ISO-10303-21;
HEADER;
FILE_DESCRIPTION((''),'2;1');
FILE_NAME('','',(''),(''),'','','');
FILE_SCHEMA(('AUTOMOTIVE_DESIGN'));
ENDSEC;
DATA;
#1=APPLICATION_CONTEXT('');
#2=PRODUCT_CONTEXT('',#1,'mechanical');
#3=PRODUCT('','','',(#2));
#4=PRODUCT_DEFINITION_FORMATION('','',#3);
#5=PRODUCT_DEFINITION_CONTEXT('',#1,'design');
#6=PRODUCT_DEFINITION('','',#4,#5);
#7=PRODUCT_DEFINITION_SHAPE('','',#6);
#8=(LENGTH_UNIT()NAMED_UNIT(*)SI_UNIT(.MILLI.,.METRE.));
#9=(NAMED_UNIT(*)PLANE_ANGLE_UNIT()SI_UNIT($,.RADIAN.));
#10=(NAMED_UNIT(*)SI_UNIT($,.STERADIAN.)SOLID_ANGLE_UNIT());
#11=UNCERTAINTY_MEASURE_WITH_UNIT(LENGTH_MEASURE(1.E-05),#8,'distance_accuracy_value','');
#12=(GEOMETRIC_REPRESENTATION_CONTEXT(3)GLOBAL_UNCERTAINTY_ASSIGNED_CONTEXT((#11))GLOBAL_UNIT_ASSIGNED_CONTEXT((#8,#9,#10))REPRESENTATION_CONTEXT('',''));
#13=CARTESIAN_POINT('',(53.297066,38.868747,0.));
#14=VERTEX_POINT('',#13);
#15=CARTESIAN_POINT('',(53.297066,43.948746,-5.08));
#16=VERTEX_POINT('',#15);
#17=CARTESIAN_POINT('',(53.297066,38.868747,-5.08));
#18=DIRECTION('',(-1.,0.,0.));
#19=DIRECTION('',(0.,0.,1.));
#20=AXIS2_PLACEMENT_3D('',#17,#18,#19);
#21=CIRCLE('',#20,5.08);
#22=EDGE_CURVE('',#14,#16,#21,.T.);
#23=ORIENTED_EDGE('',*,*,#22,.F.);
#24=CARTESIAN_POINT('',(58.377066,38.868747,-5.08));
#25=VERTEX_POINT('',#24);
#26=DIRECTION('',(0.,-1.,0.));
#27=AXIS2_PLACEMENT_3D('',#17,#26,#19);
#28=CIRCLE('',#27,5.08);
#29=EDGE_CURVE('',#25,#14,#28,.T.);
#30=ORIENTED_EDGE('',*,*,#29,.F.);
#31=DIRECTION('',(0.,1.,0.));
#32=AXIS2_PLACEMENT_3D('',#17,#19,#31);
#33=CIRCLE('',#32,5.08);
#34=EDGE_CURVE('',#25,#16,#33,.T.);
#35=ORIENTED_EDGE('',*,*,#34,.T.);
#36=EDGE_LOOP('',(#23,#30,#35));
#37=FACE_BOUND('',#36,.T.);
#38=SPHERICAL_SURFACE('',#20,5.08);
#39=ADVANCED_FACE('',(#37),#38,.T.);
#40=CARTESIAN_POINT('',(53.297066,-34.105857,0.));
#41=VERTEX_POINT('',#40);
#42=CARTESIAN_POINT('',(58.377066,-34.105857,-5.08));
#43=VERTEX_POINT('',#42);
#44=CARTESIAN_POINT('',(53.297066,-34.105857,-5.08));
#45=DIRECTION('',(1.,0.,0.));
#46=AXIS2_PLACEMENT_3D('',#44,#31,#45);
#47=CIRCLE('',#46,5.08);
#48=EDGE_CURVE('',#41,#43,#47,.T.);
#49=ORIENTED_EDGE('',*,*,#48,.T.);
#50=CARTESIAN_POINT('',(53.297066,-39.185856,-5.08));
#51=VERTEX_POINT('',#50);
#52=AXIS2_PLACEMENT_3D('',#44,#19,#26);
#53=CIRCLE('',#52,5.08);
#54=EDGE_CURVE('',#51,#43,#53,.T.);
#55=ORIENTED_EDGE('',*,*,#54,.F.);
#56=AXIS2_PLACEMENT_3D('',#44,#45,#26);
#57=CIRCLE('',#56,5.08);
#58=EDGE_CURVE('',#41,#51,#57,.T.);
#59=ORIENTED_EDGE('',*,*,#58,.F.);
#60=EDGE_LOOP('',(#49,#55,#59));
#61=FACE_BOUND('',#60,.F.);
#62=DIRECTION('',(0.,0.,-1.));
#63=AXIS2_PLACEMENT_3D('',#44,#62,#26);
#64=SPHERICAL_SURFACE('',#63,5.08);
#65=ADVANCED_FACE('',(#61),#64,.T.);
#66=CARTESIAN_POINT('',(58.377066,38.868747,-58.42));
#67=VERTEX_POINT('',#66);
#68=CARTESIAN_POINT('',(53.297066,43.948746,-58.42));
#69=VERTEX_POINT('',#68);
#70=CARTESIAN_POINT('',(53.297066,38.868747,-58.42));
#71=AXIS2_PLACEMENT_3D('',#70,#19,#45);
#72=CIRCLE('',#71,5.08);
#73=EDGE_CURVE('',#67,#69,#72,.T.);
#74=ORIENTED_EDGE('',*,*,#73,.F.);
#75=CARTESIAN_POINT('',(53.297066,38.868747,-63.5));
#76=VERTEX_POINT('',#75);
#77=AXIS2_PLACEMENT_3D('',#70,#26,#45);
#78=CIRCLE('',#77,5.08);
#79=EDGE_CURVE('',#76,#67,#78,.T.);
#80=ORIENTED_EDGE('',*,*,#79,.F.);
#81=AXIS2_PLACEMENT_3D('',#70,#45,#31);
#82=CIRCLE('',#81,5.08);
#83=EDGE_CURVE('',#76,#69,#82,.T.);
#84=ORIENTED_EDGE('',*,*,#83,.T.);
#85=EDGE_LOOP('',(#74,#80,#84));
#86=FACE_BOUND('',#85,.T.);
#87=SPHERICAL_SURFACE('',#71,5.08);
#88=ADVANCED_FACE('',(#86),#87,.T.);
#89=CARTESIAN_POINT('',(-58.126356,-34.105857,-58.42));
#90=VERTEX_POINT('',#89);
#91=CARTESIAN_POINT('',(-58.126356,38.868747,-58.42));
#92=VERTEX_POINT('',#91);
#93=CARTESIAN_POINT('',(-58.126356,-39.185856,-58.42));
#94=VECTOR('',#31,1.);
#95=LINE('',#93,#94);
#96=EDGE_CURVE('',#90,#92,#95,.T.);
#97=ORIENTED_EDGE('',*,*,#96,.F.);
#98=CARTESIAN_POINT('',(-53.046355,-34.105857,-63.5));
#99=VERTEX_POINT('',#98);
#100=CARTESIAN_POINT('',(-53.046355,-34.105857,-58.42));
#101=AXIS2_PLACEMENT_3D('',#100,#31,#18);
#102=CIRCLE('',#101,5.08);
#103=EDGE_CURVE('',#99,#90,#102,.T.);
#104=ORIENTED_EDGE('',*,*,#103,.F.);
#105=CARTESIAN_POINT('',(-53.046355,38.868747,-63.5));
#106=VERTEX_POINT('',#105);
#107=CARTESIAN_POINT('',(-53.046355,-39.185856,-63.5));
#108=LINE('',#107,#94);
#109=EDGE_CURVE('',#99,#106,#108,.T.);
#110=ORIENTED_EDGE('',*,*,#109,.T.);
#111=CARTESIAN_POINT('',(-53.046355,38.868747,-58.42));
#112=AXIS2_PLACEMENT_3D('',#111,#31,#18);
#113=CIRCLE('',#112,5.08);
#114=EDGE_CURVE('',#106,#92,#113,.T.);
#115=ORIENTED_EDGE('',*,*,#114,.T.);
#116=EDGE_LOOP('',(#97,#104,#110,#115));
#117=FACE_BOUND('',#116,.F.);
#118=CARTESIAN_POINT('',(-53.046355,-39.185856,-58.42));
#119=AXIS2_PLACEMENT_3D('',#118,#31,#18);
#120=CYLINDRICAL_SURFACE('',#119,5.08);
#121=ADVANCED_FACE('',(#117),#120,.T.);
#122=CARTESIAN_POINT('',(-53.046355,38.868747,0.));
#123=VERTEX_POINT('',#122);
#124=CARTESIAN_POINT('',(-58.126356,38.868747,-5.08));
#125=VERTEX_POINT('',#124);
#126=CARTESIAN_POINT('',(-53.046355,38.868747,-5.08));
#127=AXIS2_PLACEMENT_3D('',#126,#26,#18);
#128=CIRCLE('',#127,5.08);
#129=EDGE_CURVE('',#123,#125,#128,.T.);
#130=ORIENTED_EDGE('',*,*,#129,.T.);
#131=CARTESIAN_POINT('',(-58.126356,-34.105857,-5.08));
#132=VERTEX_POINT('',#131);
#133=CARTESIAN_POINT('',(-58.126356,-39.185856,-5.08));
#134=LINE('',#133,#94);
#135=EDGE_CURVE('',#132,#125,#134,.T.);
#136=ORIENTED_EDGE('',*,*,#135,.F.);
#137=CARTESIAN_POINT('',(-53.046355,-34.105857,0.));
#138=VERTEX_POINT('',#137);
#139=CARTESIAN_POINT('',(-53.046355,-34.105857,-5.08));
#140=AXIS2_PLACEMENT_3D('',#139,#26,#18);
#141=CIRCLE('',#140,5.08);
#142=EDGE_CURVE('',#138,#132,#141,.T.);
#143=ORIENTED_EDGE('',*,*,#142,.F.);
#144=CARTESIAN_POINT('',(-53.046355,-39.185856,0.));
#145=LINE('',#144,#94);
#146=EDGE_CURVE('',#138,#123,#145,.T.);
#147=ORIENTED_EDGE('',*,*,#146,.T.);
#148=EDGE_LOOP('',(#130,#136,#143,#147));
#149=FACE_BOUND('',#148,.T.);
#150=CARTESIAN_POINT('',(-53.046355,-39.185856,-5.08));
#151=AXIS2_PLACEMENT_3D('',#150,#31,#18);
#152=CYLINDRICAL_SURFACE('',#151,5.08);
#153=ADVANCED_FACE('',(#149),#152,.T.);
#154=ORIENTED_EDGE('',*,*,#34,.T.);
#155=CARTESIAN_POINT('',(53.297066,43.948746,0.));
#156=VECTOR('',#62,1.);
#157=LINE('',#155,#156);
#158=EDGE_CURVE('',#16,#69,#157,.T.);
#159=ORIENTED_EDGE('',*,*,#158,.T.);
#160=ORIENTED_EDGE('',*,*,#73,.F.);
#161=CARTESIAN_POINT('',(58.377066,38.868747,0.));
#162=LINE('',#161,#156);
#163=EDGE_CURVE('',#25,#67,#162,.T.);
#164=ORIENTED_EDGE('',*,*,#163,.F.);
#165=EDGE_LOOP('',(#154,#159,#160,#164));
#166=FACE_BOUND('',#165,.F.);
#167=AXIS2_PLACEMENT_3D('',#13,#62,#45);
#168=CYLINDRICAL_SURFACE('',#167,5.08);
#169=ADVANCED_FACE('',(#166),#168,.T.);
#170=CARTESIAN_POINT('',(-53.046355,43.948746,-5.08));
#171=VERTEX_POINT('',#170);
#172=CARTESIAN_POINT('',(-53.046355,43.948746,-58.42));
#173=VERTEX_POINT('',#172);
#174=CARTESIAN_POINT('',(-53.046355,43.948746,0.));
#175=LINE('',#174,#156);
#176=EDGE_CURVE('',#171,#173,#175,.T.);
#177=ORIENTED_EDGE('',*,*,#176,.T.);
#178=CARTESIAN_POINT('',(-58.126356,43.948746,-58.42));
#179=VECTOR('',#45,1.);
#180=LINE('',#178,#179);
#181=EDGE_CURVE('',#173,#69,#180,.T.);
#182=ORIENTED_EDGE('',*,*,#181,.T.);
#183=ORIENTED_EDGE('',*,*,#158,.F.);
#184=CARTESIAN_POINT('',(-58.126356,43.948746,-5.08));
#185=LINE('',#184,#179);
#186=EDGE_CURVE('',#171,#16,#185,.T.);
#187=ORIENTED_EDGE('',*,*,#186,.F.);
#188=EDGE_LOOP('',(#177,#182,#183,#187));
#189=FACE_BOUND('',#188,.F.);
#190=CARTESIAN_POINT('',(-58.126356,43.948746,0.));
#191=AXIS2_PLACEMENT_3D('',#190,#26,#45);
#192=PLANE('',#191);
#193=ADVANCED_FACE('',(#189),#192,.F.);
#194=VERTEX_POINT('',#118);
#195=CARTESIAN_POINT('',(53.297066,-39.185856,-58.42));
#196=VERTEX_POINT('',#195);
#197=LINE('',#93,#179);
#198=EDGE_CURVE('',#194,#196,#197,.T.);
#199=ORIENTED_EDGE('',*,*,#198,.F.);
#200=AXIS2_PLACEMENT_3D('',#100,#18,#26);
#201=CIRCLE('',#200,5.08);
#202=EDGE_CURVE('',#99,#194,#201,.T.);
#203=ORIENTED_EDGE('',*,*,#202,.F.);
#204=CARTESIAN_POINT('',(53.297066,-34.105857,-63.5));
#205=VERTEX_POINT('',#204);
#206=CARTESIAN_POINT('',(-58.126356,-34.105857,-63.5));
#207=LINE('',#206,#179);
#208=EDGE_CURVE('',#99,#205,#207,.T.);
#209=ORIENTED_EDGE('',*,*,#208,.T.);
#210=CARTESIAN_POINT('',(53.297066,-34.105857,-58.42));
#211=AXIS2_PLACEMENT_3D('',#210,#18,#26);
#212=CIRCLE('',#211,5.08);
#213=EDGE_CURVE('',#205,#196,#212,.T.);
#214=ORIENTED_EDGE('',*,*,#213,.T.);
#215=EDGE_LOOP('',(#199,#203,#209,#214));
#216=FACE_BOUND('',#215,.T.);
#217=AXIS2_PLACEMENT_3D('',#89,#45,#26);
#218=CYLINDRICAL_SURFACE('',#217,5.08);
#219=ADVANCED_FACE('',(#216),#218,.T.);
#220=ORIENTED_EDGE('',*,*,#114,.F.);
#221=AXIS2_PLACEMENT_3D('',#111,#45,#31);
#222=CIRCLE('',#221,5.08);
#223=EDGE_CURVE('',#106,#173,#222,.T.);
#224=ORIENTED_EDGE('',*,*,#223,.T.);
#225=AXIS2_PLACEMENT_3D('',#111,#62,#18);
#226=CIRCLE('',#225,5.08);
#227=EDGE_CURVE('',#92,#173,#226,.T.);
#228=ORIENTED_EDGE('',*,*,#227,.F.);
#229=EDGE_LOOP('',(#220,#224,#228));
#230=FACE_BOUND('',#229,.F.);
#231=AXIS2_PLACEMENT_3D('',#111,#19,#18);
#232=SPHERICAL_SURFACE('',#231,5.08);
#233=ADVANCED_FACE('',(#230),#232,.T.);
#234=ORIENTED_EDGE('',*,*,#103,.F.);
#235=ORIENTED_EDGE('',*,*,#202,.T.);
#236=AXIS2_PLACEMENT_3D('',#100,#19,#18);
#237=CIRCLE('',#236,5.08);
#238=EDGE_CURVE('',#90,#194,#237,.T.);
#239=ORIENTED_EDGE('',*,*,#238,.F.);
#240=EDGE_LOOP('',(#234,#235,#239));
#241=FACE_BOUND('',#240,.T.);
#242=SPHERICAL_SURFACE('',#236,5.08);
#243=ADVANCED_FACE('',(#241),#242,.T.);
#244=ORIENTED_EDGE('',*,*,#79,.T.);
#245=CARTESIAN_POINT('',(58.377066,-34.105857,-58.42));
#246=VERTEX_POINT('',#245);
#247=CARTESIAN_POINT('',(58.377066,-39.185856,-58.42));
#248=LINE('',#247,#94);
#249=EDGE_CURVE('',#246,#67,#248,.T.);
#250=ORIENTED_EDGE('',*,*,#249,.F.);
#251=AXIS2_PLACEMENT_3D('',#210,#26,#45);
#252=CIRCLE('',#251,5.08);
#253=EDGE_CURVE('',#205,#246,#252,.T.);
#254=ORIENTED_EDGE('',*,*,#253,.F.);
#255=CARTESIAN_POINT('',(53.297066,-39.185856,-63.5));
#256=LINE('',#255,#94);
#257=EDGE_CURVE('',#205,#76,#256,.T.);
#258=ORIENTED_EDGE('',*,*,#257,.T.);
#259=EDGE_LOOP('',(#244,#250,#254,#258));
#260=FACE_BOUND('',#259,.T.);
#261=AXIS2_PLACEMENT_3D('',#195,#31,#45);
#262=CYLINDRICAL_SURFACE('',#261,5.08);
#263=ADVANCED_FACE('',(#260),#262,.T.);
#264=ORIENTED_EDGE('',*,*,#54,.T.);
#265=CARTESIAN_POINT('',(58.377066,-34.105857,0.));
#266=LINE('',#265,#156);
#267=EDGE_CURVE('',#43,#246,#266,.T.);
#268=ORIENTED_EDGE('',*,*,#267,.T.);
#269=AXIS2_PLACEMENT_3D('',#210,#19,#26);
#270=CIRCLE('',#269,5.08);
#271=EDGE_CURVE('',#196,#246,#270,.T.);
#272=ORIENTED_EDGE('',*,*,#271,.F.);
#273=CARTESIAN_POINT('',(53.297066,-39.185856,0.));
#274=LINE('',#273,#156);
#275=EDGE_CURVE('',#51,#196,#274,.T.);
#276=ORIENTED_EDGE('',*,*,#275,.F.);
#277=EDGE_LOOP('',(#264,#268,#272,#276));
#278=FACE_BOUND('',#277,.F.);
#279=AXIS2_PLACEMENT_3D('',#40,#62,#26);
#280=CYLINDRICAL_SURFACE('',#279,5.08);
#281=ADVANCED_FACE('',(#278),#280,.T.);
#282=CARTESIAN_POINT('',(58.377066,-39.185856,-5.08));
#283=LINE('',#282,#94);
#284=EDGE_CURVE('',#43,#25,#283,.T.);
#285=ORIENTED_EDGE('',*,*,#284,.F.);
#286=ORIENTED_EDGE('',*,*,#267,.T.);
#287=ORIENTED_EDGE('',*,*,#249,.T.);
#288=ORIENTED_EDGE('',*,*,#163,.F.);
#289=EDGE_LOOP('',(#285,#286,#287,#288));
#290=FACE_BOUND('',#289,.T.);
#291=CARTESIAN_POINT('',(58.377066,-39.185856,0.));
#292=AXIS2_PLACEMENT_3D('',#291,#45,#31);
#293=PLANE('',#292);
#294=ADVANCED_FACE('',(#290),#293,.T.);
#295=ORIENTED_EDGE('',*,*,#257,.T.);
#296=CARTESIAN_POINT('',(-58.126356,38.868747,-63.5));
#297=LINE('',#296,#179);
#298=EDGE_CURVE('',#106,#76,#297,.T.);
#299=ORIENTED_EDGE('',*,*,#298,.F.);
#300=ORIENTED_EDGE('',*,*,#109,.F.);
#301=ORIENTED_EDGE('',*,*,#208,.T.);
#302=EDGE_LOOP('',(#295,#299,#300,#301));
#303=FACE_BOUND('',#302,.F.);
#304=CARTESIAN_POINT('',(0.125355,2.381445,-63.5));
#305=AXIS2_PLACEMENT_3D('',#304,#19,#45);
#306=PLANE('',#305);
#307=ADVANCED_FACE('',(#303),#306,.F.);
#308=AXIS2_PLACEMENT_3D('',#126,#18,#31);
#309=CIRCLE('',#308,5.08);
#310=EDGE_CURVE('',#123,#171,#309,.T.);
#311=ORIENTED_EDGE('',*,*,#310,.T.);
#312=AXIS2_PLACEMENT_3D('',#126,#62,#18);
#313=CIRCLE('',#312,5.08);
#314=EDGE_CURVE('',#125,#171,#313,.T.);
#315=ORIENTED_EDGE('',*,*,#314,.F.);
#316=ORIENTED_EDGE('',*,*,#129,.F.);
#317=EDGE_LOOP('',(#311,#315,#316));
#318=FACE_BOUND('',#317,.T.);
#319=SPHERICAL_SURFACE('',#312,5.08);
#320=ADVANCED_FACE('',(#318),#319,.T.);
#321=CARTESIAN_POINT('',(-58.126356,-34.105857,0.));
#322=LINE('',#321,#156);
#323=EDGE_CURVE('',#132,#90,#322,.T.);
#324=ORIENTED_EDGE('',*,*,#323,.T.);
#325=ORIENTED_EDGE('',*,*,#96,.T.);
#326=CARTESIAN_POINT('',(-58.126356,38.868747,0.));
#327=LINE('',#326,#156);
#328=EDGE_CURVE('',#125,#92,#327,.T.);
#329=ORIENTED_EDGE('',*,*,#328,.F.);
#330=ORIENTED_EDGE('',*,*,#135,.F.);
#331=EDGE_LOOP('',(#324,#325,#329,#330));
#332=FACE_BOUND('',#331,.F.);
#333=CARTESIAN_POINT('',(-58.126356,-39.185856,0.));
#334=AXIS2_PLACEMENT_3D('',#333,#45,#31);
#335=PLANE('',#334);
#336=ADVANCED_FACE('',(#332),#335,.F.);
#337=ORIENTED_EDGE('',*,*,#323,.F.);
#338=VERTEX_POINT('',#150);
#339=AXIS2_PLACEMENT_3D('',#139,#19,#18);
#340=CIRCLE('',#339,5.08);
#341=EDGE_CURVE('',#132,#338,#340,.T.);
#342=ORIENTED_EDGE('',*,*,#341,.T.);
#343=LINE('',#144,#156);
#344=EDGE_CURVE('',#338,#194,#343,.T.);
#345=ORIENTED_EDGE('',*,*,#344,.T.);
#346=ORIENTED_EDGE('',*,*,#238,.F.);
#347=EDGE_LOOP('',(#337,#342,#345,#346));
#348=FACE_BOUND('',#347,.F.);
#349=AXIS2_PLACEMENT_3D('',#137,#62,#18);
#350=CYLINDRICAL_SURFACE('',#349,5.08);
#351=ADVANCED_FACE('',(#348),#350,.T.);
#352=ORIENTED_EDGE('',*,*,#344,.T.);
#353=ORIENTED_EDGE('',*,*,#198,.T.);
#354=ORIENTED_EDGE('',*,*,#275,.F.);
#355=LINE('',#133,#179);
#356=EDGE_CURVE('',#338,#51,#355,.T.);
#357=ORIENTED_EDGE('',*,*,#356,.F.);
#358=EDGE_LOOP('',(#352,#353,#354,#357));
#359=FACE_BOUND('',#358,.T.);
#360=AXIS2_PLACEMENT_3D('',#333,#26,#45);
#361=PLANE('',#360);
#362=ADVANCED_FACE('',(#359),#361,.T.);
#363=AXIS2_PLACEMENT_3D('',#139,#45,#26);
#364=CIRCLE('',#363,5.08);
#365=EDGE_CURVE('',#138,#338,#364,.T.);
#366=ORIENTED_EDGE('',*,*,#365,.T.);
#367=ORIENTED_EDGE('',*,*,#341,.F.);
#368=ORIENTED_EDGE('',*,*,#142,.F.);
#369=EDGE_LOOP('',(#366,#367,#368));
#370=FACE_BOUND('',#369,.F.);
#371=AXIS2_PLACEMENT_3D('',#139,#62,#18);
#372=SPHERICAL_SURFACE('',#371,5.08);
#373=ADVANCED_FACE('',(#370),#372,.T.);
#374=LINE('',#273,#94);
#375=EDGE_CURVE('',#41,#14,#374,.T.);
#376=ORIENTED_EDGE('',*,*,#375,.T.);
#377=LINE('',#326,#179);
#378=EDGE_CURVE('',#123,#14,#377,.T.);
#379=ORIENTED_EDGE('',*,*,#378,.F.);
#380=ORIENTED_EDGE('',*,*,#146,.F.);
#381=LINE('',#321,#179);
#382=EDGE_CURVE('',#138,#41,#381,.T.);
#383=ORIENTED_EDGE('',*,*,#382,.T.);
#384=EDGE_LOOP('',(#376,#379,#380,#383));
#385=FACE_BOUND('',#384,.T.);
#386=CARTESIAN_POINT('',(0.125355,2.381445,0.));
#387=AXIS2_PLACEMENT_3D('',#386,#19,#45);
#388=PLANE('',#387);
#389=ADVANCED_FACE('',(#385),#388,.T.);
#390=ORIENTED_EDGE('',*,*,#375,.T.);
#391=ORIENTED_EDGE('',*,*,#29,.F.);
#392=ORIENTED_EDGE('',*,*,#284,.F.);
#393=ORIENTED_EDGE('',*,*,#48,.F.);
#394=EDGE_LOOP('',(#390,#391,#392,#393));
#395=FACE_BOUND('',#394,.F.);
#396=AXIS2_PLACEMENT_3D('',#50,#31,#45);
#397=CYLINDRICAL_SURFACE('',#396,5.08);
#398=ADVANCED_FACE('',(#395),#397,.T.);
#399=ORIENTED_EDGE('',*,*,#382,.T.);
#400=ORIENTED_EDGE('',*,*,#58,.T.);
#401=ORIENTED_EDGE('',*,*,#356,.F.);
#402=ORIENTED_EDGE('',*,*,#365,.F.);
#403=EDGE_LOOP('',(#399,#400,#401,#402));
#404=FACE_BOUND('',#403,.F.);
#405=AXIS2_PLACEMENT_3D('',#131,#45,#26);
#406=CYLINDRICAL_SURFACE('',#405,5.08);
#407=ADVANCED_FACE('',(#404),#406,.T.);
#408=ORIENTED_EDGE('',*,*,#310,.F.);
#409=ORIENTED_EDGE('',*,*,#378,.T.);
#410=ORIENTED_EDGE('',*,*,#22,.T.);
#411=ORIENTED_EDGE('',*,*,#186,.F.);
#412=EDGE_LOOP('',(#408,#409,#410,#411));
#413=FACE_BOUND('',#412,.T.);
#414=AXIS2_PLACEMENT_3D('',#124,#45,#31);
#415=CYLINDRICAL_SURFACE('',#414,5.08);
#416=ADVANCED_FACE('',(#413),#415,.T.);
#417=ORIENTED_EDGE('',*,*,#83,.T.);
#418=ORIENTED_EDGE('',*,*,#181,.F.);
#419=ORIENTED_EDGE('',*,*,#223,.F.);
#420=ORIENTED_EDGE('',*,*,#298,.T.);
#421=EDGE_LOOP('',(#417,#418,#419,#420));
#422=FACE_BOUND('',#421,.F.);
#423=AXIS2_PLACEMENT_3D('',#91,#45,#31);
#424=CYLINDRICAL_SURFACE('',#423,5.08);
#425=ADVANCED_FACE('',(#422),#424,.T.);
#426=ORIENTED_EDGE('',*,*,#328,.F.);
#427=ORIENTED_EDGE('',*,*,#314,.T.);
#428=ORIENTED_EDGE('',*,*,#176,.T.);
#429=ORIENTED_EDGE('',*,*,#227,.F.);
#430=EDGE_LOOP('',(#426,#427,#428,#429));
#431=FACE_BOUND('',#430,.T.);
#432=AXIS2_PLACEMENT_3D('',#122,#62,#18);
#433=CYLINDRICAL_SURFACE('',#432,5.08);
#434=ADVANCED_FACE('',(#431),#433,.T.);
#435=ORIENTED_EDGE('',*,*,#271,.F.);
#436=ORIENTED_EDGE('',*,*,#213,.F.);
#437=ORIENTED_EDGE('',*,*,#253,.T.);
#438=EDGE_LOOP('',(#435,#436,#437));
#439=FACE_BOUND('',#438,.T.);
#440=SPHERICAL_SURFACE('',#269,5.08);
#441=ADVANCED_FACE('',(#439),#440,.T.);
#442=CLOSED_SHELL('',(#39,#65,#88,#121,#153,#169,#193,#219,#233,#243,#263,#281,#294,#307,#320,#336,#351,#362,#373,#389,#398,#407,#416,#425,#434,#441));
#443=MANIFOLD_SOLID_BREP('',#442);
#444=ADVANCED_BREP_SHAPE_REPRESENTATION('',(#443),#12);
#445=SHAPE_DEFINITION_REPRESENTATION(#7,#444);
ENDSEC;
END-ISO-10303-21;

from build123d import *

# Parameters (mm, degrees)
F0_W     = 116.503421
F0_H     = 83.134603
F1_DEPTH = 63.5
F2_R     = 5.08


with BuildPart() as f1:
    # F0 (on Top) → F1 (new body)
    with BuildSketch(Plane.XY):
        with Locations((0.125355, 2.381445)):
            Rectangle(F0_W, F0_H)
    extrude(amount=-F1_DEPTH)

    # F2
    f2_edges = [f1.edges().sort_by_distance(p)[0] for p in [
        (-58.126356, 43.948747, -31.75),
        (-58.126356, -39.185856, -31.75),
        (-58.126356, 2.381446, 0),
        (-58.126356, 2.381446, -63.5),
        (58.377065, -39.185856, -31.75),
        (0.125354, -39.185856, 0),
        (0.125354, -39.185856, -63.5),
        (0.125354, 43.948747, 0),
        (58.377065, 2.381446, 0),
        (58.377065, 43.948747, -31.75),
        (58.377065, 2.381446, -63.5),
        (0.125354, 43.948747, -63.5),
    ]]
    fillet(f2_edges, radius=F2_R)


solid = f1.part
